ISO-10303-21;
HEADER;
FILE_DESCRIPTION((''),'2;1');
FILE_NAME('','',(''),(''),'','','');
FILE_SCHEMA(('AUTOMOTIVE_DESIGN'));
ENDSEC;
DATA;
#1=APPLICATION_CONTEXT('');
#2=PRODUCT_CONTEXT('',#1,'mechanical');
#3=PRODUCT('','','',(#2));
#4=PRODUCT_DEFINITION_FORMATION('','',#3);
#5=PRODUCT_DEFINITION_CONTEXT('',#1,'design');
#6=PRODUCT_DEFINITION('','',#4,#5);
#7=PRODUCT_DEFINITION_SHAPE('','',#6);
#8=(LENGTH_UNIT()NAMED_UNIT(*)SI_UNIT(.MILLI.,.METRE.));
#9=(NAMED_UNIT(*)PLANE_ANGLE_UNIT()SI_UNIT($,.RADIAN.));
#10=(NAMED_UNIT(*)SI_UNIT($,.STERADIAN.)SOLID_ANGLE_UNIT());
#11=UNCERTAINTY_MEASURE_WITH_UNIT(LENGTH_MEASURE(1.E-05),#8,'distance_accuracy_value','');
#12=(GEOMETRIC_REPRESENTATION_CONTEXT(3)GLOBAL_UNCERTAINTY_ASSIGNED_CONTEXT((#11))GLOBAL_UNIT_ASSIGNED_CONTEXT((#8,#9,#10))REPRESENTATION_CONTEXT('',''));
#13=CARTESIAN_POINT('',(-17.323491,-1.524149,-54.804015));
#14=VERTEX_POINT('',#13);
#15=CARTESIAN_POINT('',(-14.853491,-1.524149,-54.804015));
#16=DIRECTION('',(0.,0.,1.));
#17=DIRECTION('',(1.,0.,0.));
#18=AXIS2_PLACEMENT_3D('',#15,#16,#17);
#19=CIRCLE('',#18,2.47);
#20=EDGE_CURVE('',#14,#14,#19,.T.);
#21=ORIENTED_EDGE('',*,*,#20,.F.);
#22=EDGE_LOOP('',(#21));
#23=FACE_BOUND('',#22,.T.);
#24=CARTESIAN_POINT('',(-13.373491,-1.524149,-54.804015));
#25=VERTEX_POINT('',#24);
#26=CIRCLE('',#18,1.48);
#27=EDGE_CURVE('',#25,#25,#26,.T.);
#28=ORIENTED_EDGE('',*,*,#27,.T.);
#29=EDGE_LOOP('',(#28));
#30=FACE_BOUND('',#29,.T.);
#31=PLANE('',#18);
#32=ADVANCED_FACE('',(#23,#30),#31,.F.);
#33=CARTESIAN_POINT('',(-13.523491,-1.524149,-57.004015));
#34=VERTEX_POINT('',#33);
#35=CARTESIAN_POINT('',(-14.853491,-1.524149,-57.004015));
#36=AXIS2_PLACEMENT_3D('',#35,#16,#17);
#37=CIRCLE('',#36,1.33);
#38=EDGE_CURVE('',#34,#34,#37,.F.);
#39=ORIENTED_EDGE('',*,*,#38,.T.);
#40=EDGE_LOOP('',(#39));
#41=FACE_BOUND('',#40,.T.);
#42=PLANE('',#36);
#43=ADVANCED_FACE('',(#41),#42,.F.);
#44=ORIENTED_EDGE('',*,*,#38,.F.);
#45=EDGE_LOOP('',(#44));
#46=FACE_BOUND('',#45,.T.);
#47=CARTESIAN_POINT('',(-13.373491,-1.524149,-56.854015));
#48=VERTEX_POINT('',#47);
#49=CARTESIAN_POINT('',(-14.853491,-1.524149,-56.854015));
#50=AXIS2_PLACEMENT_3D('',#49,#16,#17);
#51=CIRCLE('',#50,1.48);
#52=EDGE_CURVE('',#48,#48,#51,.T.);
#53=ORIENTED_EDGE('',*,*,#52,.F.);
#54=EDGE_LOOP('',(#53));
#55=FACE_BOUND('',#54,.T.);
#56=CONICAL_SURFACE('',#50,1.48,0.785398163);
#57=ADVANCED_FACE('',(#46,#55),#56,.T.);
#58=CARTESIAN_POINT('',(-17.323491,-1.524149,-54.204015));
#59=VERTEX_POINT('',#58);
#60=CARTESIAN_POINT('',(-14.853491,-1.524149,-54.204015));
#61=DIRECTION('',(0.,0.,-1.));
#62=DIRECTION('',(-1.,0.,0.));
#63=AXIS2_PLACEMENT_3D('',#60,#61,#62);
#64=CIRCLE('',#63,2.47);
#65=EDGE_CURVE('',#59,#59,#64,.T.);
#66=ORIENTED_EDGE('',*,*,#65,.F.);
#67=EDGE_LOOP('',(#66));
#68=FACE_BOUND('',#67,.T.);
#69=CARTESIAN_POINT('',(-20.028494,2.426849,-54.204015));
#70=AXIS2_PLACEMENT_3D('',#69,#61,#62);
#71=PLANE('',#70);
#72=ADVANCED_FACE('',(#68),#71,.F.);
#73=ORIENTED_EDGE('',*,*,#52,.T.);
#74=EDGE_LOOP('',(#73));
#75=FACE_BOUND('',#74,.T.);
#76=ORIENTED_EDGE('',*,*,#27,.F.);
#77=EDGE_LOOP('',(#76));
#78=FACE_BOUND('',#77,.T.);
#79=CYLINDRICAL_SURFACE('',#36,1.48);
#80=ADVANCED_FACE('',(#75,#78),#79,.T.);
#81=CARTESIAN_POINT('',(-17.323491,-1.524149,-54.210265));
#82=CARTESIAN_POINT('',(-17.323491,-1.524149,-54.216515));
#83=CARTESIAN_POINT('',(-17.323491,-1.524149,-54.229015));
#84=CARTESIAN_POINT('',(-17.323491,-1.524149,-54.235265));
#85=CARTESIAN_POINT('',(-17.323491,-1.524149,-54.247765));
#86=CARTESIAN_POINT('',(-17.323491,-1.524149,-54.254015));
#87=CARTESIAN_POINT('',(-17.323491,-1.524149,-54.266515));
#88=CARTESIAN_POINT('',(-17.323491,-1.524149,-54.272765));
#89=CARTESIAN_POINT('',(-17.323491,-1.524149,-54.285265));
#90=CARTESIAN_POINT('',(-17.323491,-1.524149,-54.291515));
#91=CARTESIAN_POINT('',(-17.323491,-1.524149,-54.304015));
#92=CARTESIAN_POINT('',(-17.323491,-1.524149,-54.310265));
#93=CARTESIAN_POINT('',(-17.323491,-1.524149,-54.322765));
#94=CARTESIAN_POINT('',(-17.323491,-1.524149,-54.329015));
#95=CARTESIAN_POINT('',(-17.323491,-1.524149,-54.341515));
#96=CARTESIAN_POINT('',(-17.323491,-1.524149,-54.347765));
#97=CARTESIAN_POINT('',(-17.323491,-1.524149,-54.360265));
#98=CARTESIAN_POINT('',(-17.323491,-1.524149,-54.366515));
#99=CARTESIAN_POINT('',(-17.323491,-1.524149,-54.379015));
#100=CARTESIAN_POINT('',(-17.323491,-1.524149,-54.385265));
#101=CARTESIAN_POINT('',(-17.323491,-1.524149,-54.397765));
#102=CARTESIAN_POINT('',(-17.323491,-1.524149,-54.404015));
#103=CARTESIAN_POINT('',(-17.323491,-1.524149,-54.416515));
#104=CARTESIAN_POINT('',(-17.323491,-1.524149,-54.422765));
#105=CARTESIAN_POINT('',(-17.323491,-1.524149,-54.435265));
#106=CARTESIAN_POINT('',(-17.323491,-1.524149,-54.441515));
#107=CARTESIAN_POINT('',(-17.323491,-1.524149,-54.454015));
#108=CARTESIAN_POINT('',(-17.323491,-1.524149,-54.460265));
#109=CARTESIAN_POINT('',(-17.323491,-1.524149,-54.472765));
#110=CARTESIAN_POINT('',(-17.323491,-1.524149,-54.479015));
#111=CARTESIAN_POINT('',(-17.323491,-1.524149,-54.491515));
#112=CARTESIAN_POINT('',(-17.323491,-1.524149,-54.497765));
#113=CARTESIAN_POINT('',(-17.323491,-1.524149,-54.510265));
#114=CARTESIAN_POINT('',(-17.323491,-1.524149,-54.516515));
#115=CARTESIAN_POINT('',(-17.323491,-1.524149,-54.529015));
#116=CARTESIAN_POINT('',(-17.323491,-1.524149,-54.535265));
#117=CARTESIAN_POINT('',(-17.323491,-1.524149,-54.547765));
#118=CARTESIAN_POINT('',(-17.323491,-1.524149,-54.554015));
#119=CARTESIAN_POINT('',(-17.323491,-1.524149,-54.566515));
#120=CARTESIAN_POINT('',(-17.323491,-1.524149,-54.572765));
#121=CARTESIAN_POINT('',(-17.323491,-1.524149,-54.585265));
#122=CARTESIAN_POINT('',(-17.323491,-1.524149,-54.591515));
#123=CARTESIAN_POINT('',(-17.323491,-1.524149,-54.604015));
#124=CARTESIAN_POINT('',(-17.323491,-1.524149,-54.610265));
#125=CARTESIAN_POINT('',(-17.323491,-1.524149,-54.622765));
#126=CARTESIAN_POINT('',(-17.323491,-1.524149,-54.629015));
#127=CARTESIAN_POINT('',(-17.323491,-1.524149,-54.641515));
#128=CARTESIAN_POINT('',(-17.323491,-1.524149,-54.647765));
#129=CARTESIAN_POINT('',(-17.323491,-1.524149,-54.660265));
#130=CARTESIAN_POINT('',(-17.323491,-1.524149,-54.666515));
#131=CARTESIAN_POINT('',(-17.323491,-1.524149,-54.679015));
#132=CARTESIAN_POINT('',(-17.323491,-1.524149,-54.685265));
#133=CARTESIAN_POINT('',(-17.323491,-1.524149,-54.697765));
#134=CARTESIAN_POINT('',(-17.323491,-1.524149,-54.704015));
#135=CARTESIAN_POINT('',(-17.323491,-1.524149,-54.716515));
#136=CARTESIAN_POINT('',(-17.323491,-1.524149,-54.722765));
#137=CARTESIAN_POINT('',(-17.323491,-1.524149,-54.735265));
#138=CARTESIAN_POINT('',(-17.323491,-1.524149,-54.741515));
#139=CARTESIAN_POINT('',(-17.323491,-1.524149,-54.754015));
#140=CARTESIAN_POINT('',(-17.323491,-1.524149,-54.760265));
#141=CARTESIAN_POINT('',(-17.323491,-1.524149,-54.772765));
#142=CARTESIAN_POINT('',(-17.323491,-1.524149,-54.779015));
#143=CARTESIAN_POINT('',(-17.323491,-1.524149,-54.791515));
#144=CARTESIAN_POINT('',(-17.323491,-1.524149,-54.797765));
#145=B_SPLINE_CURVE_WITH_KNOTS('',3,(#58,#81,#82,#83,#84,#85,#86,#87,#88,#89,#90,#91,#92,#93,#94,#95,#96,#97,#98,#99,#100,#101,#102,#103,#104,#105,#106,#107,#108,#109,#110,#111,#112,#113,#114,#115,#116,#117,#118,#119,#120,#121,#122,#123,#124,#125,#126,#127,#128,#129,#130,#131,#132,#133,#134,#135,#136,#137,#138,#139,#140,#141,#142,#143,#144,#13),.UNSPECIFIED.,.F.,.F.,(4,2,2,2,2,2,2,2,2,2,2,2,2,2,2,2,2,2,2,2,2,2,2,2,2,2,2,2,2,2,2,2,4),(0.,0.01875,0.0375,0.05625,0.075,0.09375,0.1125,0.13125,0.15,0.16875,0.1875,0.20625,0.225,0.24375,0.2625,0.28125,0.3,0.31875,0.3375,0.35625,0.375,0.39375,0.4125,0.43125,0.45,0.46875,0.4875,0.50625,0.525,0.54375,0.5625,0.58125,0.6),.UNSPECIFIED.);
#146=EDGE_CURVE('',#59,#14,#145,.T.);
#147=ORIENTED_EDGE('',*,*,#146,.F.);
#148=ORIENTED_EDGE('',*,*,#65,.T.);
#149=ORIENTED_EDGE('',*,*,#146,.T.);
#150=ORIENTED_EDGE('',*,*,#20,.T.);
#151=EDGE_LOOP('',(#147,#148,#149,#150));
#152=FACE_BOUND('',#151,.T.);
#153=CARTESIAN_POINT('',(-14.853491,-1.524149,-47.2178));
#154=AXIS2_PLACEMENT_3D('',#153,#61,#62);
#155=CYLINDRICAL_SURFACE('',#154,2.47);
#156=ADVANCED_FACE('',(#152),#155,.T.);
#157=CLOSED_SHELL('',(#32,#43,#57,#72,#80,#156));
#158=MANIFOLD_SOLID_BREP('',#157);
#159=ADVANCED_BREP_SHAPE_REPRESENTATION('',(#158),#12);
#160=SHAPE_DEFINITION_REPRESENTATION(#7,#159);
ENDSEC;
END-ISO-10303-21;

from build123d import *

# Parameters (mm, degrees)
SKETCH_1_R      = 2.47
EXTRUDE_1_DEPTH = 0.6
SKETCH_2_R      = 1.48
EXTRUDE_2_DEPTH = 2.2
CHAMFER_1_SIZE  = 0.15


with BuildPart() as part:
    # 草图1 → 凸台-拉伸1 (new body)
    with BuildSketch(Plane.XY.offset(-54.8040151)):
        with Locations(Location((-14.853491423, -1.524148547, 0), (0, 0, 180))):
            Circle(SKETCH_1_R)
    extrude(amount=EXTRUDE_1_DEPTH)

    # 草图2 → 凸台-拉伸2 (add)
    with BuildSketch(Plane.XY.offset(-54.8040151)):
        with Locations((-14.853491423, -1.524148547)):
            Circle(SKETCH_2_R)
    extrude(amount=-EXTRUDE_2_DEPTH)

    # 倒角1
    chamfer_1_edges = [part.edges().sort_by_distance(p)[0] for p in [
        (-16.333491423, -1.524148547, -57.0040151),
    ]]
    chamfer(chamfer_1_edges, length=CHAMFER_1_SIZE)


solid = part.part
